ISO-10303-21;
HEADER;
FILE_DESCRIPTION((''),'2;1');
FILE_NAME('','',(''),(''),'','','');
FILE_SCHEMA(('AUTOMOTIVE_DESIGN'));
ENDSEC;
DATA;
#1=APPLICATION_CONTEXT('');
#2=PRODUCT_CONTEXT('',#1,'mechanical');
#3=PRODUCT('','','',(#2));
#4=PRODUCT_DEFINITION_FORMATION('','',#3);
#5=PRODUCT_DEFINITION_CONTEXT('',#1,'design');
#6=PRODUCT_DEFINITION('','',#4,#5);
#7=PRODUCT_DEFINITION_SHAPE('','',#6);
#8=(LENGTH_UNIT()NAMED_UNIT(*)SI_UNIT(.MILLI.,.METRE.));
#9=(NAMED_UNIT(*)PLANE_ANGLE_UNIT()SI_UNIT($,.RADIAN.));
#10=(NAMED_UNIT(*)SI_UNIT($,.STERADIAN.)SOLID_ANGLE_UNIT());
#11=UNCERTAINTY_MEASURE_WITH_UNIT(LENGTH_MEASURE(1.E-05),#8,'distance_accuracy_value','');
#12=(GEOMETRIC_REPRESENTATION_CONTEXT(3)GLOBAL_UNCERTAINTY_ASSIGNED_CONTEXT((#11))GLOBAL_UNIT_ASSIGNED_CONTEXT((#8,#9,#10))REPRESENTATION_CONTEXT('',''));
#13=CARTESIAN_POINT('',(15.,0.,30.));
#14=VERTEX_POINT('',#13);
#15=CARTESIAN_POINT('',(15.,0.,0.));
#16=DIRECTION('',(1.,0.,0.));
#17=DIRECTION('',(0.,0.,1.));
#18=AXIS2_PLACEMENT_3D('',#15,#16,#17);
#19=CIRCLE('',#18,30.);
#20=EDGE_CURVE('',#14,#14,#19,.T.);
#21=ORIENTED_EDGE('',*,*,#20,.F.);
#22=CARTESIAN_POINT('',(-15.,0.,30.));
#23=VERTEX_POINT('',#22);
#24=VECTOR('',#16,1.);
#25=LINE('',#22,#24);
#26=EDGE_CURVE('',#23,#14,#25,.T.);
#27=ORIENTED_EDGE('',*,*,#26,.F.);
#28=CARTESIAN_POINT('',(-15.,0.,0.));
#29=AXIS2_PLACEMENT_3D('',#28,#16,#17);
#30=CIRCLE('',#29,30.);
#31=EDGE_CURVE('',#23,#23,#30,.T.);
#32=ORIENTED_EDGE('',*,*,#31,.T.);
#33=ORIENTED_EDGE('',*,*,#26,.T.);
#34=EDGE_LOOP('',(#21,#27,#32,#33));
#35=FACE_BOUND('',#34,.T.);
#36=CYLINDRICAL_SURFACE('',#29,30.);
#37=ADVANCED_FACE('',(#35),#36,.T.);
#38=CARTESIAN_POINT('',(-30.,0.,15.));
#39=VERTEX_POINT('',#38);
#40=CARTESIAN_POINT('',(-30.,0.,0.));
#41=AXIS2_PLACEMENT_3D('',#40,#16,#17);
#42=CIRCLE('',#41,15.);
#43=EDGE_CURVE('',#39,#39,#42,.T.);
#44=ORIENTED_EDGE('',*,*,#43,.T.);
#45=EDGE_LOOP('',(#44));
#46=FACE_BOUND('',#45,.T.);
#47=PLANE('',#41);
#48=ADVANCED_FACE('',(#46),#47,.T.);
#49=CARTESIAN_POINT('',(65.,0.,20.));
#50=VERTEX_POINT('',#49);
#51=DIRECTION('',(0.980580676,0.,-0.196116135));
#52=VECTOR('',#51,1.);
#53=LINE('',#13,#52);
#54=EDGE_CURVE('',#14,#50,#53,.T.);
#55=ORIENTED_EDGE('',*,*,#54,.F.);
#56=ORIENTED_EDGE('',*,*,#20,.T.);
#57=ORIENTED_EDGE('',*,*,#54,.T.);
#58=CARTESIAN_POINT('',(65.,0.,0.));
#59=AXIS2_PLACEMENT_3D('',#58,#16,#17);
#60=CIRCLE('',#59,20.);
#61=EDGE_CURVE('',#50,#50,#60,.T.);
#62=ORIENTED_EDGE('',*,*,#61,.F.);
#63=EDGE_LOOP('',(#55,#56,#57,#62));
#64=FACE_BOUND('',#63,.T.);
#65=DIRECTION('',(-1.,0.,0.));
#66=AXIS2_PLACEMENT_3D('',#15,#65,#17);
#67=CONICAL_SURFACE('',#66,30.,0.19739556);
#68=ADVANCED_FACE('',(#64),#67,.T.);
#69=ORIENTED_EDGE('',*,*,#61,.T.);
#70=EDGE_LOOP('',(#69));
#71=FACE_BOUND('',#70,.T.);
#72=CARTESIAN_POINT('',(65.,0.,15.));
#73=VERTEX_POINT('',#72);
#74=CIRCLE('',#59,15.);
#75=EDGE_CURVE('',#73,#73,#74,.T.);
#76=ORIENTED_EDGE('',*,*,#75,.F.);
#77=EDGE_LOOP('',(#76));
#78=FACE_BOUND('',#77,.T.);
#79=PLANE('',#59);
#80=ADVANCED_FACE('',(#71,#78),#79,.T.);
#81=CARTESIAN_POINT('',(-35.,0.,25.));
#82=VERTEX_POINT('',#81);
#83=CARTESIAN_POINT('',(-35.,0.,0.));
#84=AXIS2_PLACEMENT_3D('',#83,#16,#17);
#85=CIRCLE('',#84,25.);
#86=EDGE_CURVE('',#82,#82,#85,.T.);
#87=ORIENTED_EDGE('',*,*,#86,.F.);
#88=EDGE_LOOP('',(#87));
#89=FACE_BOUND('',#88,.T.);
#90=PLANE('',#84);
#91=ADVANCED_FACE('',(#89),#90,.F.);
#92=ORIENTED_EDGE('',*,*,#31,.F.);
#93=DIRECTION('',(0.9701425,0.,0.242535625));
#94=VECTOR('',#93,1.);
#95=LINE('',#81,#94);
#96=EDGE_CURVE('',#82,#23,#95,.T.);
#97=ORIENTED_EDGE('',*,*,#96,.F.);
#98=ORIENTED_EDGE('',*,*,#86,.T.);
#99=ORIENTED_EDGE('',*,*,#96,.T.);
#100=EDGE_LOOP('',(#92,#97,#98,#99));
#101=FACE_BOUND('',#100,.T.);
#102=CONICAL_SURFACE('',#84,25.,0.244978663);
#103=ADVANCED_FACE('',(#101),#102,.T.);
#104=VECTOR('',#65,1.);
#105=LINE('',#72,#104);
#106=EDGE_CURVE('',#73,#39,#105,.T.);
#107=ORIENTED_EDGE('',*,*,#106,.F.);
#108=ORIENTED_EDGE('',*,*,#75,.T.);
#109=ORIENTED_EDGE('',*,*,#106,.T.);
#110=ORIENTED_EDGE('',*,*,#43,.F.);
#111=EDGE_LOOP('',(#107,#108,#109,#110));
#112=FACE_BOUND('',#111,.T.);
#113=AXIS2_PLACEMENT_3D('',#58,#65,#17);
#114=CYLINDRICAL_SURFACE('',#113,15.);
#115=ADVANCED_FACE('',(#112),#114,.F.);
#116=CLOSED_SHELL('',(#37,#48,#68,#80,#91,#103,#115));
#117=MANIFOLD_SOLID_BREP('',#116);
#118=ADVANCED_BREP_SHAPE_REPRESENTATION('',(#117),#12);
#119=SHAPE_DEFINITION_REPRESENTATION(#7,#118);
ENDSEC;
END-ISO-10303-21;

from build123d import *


with BuildPart() as part:
    # Sketch → Revolution (revolve)
    with BuildSketch(Plane.XZ):
        Polygon((-35, 0), (-35, 25), (-15, 30), (15, 30), (65, 20), (65, 15), (-30, 15), (-30, 0), align=None)
    revolve(axis=Axis((0, 0, 0), (1, 0, 0)))


solid = part.part
